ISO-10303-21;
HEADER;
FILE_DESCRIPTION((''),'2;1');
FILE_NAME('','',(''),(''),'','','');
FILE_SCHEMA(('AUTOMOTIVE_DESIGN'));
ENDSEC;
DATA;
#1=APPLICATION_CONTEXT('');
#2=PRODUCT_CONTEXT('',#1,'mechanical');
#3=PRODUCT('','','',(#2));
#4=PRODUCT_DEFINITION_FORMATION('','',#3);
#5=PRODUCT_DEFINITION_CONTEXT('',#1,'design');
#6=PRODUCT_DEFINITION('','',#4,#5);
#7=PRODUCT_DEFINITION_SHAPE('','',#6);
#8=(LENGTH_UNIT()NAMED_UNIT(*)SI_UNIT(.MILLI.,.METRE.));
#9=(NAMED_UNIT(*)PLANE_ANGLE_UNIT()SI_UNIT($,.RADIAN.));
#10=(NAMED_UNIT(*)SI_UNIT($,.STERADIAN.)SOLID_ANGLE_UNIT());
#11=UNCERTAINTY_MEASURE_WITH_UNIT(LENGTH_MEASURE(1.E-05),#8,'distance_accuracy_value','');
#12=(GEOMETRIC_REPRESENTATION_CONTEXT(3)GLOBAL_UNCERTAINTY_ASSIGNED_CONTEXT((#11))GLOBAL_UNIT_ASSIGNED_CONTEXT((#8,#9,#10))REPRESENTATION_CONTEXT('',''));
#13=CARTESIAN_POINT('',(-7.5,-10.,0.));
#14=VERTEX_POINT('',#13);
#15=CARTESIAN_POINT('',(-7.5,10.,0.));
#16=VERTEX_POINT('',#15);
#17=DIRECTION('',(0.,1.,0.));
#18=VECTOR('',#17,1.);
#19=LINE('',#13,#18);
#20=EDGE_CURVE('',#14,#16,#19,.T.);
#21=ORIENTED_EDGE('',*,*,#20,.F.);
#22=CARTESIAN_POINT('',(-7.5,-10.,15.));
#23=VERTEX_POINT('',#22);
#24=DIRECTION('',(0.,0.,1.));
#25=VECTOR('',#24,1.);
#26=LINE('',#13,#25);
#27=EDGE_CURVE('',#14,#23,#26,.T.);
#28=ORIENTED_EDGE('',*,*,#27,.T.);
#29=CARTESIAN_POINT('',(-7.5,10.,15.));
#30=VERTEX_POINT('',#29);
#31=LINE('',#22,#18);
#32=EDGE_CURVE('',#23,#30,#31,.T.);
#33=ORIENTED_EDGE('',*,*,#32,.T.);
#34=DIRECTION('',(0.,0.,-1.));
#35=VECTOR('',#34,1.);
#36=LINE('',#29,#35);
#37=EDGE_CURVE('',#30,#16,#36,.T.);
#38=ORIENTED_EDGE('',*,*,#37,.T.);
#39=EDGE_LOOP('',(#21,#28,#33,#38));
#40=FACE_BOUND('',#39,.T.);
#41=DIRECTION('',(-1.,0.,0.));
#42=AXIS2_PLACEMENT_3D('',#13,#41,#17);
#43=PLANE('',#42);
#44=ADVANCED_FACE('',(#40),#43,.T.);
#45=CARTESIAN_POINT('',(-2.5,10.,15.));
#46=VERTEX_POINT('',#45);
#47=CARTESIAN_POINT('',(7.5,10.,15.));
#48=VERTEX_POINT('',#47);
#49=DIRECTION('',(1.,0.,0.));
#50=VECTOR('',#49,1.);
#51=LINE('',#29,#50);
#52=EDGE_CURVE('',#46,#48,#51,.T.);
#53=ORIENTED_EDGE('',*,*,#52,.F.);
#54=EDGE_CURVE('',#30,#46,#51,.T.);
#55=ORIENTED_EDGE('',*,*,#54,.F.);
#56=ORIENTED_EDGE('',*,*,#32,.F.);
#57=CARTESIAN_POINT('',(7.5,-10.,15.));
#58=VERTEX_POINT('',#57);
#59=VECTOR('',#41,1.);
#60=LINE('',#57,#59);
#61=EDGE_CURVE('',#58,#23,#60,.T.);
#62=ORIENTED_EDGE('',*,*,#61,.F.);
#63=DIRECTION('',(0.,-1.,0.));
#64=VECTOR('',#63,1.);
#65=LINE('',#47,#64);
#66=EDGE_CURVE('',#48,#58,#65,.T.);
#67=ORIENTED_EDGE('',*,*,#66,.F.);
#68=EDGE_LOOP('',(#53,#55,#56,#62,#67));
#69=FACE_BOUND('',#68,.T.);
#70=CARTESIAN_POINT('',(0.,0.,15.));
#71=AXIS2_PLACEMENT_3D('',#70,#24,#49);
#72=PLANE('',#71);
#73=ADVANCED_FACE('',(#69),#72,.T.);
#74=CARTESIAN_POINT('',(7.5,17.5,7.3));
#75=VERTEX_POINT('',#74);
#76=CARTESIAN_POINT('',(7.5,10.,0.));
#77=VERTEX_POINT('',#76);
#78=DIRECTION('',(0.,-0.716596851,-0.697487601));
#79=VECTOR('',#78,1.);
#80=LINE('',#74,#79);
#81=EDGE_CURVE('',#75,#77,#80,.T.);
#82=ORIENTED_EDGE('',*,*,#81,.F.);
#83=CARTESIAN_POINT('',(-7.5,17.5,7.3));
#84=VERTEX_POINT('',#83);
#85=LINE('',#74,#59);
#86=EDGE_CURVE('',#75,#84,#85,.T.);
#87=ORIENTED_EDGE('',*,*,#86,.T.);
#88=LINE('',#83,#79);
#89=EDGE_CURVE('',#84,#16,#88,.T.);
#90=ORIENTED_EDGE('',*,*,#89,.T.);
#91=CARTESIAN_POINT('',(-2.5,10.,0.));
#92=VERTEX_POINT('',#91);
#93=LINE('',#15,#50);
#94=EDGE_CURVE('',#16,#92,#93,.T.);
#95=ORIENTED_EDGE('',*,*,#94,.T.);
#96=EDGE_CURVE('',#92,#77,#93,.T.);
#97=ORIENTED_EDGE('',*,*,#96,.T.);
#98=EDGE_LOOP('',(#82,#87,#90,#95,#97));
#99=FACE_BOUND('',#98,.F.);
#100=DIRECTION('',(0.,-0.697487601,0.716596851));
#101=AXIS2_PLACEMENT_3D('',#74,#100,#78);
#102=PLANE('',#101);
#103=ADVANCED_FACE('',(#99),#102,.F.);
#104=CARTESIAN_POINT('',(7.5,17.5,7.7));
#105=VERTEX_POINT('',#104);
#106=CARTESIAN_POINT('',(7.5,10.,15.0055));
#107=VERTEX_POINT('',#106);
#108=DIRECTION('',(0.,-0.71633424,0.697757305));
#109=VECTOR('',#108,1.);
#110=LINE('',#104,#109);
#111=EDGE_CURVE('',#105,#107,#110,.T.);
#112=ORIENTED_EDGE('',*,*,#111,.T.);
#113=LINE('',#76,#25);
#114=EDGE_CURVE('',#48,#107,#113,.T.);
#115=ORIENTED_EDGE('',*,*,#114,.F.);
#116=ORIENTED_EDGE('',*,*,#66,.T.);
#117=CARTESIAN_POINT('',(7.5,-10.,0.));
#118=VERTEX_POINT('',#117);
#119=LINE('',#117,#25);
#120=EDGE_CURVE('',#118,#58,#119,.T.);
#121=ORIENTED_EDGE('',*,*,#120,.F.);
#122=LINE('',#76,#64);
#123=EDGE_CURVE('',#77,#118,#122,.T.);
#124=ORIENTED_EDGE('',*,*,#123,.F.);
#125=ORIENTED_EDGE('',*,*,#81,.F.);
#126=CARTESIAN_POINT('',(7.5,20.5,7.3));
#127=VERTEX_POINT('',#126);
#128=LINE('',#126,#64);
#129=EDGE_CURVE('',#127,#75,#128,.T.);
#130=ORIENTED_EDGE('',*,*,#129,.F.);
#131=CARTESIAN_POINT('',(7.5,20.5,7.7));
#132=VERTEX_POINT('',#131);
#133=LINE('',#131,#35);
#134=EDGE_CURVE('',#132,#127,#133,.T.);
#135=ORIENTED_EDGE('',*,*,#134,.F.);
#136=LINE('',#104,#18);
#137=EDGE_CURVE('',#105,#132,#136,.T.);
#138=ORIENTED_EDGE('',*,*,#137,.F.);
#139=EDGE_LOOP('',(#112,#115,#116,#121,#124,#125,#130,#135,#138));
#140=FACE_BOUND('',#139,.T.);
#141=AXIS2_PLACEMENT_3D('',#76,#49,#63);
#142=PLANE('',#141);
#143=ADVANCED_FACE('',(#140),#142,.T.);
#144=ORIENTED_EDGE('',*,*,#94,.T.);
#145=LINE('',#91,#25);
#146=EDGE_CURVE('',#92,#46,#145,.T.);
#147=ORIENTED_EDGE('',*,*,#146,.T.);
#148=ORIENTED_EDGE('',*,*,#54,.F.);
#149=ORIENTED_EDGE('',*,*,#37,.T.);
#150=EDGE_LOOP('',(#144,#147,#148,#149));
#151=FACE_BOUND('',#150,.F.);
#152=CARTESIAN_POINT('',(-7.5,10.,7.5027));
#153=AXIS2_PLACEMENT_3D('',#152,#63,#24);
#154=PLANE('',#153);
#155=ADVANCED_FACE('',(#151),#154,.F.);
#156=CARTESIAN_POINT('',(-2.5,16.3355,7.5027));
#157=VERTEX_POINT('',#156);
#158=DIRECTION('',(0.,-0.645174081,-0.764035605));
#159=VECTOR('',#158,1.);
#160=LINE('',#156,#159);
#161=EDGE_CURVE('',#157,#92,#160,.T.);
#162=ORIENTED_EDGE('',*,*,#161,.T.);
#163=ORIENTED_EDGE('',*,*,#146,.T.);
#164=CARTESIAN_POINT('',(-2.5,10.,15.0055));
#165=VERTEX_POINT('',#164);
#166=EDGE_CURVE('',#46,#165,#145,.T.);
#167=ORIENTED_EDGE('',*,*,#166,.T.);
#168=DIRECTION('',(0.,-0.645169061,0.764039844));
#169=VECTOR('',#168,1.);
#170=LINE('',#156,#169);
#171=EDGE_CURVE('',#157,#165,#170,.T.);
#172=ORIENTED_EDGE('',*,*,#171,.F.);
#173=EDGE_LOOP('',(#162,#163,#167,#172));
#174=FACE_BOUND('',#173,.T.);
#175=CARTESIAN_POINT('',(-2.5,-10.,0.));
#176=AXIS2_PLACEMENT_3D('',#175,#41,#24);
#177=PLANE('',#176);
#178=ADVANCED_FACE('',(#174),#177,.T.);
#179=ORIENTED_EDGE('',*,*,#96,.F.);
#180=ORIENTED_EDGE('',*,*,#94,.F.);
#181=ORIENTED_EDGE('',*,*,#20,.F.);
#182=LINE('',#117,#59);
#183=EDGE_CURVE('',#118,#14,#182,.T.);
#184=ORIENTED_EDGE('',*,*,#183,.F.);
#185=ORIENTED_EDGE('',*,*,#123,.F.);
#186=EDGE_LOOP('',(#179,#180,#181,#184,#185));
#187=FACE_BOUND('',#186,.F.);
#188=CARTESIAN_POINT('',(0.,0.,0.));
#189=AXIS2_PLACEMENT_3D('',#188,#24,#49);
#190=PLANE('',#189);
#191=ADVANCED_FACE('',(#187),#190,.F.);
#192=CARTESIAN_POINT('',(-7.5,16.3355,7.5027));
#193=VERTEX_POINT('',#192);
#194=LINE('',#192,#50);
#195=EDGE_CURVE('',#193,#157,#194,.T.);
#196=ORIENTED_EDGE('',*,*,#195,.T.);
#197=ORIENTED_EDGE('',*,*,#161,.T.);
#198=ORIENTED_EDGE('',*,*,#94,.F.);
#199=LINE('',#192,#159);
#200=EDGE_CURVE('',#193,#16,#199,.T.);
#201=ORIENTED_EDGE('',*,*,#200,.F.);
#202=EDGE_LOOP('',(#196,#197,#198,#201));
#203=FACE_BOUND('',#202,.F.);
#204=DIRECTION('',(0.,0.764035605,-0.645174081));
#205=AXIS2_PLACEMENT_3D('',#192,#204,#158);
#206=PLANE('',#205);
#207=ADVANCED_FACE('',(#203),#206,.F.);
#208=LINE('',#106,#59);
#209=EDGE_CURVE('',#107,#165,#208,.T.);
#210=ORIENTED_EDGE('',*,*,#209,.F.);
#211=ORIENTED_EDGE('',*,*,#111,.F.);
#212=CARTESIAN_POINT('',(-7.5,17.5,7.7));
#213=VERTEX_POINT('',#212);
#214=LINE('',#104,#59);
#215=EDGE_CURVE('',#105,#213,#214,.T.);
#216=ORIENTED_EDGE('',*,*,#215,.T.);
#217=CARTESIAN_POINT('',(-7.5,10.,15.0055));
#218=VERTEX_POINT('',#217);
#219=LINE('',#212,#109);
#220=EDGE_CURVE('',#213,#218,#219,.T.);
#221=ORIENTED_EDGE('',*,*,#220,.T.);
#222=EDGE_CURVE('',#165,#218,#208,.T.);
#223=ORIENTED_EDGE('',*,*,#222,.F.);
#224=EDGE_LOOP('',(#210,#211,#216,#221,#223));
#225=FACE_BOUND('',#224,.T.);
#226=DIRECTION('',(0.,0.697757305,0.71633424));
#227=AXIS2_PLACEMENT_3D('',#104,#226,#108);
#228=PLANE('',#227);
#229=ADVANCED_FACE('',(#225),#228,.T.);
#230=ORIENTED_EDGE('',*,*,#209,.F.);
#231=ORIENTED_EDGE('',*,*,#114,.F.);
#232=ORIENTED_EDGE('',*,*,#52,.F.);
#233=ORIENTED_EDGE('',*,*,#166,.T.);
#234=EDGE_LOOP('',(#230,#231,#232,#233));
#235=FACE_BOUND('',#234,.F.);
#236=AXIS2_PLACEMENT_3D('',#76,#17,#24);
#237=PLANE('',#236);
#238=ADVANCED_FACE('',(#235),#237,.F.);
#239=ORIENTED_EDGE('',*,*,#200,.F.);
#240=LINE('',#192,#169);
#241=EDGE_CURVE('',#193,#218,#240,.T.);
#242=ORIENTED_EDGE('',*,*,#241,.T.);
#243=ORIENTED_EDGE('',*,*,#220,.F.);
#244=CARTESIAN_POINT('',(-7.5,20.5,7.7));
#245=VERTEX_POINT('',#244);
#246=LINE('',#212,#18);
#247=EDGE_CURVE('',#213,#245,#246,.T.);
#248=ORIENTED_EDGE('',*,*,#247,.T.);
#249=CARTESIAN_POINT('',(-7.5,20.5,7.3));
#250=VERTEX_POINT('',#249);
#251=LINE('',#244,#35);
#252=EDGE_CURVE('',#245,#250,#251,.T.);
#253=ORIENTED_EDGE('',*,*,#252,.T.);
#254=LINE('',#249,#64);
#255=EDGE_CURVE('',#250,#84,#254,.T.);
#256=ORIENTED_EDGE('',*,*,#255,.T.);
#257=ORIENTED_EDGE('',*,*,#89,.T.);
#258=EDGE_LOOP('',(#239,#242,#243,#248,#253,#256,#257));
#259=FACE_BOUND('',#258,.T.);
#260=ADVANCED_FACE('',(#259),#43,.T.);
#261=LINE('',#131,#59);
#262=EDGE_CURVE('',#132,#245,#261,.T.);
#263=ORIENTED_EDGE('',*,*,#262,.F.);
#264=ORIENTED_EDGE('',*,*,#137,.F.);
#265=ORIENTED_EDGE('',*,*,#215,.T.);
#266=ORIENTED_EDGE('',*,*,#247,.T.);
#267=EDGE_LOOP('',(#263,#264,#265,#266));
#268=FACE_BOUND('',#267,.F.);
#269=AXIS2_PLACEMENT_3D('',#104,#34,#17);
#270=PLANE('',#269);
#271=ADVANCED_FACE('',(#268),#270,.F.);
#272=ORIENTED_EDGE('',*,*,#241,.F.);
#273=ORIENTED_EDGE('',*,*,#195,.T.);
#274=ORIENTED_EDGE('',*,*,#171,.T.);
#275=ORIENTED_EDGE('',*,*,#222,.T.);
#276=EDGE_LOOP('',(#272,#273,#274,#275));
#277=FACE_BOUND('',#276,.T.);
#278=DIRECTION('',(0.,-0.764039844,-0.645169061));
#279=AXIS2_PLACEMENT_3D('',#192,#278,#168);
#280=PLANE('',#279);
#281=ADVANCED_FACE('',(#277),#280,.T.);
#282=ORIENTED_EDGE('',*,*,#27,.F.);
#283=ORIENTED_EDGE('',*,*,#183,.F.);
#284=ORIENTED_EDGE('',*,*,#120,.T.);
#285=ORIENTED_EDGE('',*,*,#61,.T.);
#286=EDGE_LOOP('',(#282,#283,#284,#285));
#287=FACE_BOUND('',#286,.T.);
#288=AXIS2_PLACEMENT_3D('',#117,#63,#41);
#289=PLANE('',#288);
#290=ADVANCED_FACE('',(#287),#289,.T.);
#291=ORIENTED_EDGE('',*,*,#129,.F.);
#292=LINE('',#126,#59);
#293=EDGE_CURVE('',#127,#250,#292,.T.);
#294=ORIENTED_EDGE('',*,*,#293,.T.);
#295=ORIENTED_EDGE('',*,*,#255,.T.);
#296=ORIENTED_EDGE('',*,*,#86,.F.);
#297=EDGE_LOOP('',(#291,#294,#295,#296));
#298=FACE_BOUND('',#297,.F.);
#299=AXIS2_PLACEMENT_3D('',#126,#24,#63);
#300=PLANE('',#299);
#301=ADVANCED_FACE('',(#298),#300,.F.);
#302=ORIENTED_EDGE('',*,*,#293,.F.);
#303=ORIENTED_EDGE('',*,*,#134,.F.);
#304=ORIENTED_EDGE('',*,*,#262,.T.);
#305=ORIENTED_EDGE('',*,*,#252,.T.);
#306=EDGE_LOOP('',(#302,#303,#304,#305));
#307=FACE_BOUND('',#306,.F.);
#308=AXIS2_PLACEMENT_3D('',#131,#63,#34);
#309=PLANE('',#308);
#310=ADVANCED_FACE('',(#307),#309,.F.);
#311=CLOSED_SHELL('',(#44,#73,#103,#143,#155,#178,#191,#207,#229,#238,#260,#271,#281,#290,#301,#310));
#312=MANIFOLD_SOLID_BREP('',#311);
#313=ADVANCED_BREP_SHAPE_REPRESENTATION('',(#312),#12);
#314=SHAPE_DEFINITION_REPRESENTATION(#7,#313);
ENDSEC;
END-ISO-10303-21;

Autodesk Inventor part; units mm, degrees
ref_plane "YZ Plane" through (0, 0, 0) normal (1, 0, 0) x (0, 1, 0)
ref_plane "XZ Plane" through (0, 0, 0) normal (0, 1, 0) x (-1, 0, 0)
ref_plane "XY Plane" through (0, 0, 0) normal (0, 0, 1) x (1, 0, 0)
sketch "草圖1" plane through (0, 0, 0) normal (0, 0, 1) x (1, 0, 0)
  line L0 (-7.5, 10) -> (7.5, 10)
  line L1 (7.5, 10) -> (7.5, -10)
  line L2 (7.5, -10) -> (-7.5, -10)
  line L3 (-7.5, -10) -> (-7.5, 10)
  line L4 (-7.5, 10) -> (7.5, -10) construction
  line L5 (7.5, 10) -> (-7.5, -10) construction
  point P0 (0, 0)
  dimension "d0" = 15
  dimension "d1" = 20
extrude "擠出1" add sketch "草圖1" along normal blind 15
sketch "草圖2" plane through (-7.5, 10, 0) normal (0, 1, 0) x (1, 0, 0)
  line L0 (0, 0) -> (0, -15) projected
  line L1 (0, -7.5) -> (15, -7.5)
  line L2 (15, 0) -> (15, -15) projected
  point P0 (7.5, 0)
sketch "草圖3" plane through (7.5, -10, 0) normal (1, 0, 0) x (0, 0, -1)
  line L0 (0, 0) -> (0, 20) projected
  line L1 (0, 20) -> (-15, 20) projected
  line L2 (-15, 0) -> (-15, 20) projected
  line L3 (-15, 20) -> (0, 20)
  line L4 (-7.5, 27.5) -> (-7.3, 27.5)
  line L5 (-7.5, 27.5) -> (-7.7, 27.5)
  line L6 (-7.3, 27.5) -> (0, 20)
  line L7 (-7.7, 27.5) -> (-15.0055, 20)
  line L8 (-7.7, 27.5) -> (-7.7, 30.5)
  line L9 (-7.7, 30.5) -> (-7.3, 30.5)
  line L10 (-7.3, 30.5) -> (-7.3, 27.5)
  line L11 (-15.0055, 20) -> (0, 20)
  point P0 (0, 10)
  point P1 (-7.5, 20)
  dimension "d4" = 7.5
  dimension "d5" = 0.2
  dimension "d6" = 3
extrude "擠出3" add sketch "草圖3" against normal blind 15
sketch "草圖4" plane through (-7.5, -10, 0) normal (-1, 0, 0) x (0, 0, 1)
  line L0 (0, 20) -> (7.3, 27.5) projected
  line L1 (0, 20) -> (15.0055, 20)
  line L2 (15.0055, 20) -> (7.5027, 20)
  line L3 (7.3, 30.5) -> (7.3, 27.5) projected
  line L4 (7.5027, 26.3355) -> (0, 20)
  line L5 (7.5027, 26.3355) -> (15.0055, 20)
  point P0 (0, 10)
extrude "擠出4" cut sketch "草圖4" against normal blind 5
properties part number "牛奶瓶"
